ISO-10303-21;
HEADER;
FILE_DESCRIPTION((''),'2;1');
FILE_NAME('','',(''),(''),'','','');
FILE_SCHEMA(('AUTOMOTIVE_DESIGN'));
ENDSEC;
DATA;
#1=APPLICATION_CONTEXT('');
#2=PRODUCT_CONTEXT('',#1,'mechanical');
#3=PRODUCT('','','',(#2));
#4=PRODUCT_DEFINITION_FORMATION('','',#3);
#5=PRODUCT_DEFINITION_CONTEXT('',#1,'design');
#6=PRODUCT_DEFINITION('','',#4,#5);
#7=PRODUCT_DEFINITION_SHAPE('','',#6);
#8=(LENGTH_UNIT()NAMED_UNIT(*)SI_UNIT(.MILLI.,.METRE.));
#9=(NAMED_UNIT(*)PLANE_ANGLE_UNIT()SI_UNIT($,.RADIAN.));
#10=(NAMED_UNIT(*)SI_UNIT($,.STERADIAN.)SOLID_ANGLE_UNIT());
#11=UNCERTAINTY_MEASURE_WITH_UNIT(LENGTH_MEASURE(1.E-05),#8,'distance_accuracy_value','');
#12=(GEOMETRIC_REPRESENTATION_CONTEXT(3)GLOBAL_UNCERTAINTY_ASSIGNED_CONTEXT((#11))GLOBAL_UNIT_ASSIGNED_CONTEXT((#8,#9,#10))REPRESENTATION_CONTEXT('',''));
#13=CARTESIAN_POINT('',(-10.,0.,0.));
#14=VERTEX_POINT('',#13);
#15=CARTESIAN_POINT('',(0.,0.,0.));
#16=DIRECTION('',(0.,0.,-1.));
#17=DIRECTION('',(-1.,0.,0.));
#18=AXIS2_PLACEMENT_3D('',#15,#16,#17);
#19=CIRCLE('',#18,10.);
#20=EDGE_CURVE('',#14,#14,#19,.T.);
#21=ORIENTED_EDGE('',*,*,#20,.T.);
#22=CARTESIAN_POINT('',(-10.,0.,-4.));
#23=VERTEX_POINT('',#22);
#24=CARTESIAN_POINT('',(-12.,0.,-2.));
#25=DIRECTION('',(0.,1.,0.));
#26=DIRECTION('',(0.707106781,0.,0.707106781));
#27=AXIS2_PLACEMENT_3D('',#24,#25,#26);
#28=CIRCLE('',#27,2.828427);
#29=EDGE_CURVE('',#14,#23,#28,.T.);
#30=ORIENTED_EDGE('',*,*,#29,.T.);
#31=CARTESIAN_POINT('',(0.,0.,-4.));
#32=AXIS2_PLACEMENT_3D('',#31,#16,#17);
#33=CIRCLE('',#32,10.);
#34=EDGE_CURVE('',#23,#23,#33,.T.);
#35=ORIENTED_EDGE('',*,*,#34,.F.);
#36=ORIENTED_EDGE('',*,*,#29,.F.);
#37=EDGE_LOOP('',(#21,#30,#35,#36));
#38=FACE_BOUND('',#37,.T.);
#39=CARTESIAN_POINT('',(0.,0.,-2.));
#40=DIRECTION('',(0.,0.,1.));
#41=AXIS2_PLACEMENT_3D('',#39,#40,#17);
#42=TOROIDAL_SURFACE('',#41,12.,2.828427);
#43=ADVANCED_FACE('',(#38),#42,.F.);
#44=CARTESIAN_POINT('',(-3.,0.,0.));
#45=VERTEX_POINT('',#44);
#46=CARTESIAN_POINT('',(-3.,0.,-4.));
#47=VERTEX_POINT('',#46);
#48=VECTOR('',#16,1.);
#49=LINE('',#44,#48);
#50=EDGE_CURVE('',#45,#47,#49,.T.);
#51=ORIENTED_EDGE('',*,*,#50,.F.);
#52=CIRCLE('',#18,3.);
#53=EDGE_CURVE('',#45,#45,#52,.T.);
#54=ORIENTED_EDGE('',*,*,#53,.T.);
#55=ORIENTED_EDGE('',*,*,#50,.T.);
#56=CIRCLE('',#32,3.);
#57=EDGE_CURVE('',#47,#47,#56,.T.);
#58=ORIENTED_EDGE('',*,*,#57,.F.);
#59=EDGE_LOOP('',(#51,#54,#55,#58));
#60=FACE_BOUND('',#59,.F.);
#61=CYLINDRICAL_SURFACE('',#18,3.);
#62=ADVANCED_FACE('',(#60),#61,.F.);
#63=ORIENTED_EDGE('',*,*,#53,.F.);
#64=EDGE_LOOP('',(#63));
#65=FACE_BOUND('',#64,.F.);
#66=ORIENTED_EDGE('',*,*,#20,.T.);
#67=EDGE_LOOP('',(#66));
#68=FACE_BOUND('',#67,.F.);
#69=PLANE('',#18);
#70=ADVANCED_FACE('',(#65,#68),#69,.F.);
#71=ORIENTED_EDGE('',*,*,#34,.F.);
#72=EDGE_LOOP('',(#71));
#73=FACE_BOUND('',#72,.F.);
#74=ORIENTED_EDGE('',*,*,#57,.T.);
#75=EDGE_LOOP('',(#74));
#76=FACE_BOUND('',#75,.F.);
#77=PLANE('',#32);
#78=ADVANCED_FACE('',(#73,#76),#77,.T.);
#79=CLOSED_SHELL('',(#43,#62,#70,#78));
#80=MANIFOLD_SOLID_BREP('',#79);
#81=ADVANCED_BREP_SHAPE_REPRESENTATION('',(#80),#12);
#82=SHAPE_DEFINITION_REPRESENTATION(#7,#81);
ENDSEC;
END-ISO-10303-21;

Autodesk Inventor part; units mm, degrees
ref_plane "YZ Plane" through (0, 0, 0) normal (1, 0, 0) x (0, 1, 0)
ref_plane "XZ Plane" through (0, 0, 0) normal (0, 1, 0) x (-1, 0, 0)
ref_plane "XY Plane" through (0, 0, 0) normal (0, 0, 1) x (1, 0, 0)
sketch "Sketch2" plane through (0, 0, 0) normal (0, 1, 0) x (-1, 0, 0)
  line L0 (10, 0) -> (0, 0)
  line L1 (0, 0) -> (0, -4) construction
  line L2 (0, -4) -> (10, -4)
  line L3 (10, -4) -> (10, 0) construction
  arc A0 (10, 0) -> (10, -4) centre (12, -2) ccw
  line L4 (3, 0) -> (3, -4)
  point P0 (10, -2)
  dimension "cabel_roller_width" = 4
  dimension "cabel_roller_OR" = 10
  dimension "cabel_roller_IR" = 3
  dimension "d4" = 90
revolve "Revolution1" add sketch "Sketch2" angle 360 about axis through (0, 0, 0) along (0, 0, -1)
equation "\"cabel_roller_OR\" = 0.5 * cabel_roller_OD"
equation "\"cabel_roller_IR\" = 0.5 * cabel_roller_ID"
equation "\"cabel_roller_OD\" = 20"
equation "\"cabel_roller_ID\" = 6"
properties part number "cable_roller"
